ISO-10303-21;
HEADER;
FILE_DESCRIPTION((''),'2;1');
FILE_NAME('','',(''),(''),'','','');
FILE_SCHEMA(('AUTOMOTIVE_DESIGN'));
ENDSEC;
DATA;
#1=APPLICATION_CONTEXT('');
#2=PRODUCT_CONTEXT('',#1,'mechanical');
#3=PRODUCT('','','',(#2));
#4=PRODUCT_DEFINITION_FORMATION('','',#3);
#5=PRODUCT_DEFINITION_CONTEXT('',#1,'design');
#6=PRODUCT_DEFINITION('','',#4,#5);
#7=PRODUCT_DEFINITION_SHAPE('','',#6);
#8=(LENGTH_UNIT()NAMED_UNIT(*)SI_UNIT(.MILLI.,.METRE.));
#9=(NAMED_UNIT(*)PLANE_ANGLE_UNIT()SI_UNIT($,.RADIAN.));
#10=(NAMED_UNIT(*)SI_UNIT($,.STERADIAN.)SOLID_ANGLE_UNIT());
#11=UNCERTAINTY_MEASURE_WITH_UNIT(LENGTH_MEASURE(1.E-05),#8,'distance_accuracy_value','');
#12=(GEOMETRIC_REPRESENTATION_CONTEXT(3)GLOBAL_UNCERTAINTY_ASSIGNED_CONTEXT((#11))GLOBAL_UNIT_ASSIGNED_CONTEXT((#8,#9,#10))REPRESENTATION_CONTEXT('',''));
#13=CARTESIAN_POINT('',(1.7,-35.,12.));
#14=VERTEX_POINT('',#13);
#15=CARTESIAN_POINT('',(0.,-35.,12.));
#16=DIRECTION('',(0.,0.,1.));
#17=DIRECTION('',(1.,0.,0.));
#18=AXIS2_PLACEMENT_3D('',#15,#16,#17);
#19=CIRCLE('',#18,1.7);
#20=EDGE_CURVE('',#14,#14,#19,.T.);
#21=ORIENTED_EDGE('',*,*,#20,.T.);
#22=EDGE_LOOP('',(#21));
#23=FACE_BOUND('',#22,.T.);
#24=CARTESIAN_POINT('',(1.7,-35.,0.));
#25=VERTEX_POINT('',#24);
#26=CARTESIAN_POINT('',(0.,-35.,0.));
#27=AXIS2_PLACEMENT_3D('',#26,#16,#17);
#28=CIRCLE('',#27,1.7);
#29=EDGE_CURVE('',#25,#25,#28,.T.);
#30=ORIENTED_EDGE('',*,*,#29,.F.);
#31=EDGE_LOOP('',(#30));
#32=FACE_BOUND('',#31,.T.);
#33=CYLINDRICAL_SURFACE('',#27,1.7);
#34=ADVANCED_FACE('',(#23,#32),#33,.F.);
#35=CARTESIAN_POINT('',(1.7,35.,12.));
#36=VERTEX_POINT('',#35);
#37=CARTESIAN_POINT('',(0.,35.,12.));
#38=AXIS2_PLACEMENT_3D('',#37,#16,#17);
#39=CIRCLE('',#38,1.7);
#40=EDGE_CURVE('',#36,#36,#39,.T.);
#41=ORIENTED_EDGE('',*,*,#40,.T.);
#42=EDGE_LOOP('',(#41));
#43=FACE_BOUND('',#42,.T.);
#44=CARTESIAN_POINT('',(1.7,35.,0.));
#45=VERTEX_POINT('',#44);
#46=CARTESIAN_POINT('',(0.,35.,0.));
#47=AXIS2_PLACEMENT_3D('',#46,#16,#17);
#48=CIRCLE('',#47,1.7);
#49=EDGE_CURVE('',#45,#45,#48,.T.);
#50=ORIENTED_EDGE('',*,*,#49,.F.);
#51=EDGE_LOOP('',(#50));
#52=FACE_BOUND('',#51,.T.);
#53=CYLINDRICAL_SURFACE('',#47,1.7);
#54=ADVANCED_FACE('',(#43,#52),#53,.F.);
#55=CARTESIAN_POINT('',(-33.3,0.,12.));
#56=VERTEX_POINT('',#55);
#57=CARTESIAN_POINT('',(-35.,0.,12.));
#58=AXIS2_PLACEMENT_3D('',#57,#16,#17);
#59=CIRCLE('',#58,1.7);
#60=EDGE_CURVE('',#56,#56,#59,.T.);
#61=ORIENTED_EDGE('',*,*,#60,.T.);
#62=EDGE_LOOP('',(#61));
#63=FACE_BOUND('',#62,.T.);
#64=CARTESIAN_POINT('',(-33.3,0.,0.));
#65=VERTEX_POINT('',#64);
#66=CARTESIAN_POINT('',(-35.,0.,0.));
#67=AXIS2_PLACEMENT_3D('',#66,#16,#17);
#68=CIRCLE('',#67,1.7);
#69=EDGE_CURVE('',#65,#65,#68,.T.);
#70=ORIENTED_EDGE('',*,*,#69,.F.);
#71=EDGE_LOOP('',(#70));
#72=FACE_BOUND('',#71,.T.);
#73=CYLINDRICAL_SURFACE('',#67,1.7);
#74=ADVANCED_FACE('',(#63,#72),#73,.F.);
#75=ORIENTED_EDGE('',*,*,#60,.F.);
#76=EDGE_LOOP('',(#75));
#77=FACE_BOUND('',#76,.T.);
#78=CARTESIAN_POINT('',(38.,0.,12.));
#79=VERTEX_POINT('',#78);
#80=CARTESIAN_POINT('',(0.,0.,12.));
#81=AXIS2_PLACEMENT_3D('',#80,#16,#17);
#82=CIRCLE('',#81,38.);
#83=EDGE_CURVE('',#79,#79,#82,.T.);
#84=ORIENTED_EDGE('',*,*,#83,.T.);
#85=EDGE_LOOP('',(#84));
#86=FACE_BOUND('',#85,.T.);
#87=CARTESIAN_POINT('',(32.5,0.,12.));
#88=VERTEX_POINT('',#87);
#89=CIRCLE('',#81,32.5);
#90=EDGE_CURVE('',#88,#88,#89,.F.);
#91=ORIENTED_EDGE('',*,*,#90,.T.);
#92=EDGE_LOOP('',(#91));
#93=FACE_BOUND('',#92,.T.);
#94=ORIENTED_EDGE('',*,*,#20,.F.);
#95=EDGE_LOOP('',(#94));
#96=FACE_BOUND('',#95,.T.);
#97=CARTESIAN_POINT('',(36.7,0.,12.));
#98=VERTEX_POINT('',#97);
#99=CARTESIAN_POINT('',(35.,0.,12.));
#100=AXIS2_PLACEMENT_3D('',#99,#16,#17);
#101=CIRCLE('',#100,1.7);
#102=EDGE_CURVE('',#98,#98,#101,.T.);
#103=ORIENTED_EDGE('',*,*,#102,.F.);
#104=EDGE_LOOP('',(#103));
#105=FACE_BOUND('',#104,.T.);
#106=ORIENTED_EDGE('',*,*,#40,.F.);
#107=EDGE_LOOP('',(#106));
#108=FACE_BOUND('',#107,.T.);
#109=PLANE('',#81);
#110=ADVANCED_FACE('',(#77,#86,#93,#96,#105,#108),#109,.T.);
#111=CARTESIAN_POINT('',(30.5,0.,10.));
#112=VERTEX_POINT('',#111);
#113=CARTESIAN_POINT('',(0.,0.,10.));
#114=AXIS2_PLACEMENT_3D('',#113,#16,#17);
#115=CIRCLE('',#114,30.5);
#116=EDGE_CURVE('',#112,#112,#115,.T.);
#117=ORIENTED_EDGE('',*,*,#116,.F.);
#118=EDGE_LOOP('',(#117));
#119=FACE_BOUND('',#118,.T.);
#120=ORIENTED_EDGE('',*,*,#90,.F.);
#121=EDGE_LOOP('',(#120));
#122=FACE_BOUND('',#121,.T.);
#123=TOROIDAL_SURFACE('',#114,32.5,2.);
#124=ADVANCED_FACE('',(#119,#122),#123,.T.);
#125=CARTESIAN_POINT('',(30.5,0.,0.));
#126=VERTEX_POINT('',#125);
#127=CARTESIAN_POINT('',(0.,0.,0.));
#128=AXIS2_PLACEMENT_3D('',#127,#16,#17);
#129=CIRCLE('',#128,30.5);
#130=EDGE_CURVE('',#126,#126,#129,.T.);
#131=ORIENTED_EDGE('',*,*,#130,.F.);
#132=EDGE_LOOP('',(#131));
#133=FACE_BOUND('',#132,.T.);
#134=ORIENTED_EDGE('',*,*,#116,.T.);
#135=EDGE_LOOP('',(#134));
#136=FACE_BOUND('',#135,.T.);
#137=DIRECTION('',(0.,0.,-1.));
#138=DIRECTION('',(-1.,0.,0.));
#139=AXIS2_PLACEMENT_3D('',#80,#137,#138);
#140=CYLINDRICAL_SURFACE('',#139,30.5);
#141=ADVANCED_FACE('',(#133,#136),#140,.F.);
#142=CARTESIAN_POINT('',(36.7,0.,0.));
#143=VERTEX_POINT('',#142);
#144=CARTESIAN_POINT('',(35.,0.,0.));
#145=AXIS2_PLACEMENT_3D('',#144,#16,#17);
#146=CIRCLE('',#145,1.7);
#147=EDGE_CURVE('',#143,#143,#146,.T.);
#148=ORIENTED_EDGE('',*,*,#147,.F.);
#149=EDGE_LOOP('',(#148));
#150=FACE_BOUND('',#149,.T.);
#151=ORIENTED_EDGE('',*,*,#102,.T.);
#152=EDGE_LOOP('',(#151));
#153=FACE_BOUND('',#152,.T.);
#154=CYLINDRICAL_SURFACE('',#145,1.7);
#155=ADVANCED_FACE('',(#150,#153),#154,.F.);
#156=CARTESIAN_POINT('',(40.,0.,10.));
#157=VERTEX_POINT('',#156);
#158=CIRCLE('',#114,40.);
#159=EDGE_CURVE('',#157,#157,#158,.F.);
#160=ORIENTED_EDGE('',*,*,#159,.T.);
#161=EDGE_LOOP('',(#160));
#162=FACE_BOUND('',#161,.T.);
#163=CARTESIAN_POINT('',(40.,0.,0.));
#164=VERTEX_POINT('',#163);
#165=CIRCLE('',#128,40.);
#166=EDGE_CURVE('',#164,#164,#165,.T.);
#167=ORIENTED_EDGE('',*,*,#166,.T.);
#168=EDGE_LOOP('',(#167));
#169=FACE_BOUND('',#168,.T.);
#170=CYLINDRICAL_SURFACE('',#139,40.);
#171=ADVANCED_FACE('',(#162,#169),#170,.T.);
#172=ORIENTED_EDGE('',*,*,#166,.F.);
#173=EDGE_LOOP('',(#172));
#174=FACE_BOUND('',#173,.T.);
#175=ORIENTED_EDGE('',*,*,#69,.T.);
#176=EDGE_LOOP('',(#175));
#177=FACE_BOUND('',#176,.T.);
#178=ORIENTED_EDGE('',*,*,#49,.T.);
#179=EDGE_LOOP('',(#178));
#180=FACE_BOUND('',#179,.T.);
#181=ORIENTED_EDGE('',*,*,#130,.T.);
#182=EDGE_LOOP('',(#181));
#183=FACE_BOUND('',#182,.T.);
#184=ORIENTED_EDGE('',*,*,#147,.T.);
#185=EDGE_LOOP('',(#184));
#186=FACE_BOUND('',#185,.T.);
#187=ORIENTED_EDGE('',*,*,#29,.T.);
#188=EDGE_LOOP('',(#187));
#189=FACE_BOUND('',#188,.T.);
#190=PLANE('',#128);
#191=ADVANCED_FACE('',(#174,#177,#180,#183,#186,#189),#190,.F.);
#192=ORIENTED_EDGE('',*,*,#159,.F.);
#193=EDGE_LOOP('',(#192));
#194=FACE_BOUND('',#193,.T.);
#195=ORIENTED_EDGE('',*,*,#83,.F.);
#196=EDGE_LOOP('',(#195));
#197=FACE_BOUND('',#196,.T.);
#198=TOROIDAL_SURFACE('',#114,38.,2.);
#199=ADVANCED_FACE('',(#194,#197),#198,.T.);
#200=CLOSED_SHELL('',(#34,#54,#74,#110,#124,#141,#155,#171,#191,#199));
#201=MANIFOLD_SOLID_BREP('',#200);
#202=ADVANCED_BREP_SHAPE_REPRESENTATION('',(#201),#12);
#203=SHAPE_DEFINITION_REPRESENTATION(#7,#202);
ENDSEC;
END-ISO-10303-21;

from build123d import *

# Parameters (mm, degrees)
SKETCH_1_R          = 40
SKETCH_1_R_2        = 30.5
EXTRUDE_1_DEPTH     = 12
SKETCH_2_R          = 1.7
CUT_EXTRUDE_1_DEPTH = 12
FILLET_1_R          = 2
FILLET_2_R          = 2


with BuildPart() as part:
    # 草图1 → 凸台-拉伸1 (new body)
    with BuildSketch(Plane.XY):
        Circle(SKETCH_1_R)
        Circle(SKETCH_1_R_2, mode=Mode.SUBTRACT)
    extrude(amount=EXTRUDE_1_DEPTH)

    # 草图2 → 切除-拉伸1 (cut)
    with BuildSketch(Plane.XY.offset(12)):
        with Locations((35, 0)):
            Circle(SKETCH_2_R)
        with Locations((0, -35)):
            Circle(SKETCH_2_R)
        with Locations((-35, 0)):
            Circle(SKETCH_2_R)
        with Locations((0, 35)):
            Circle(SKETCH_2_R)
    extrude(amount=-CUT_EXTRUDE_1_DEPTH, mode=Mode.SUBTRACT)

    # 圆角1
    fillet_1_edges = [part.edges().sort_by_distance(p)[0] for p in [
        (-30.5, 0, 12),
    ]]
    fillet(fillet_1_edges, radius=FILLET_1_R)

    # 圆角2
    fillet_2_edges = [part.edges().sort_by_distance(p)[0] for p in [
        (-40, 0, 12),
    ]]
    fillet(fillet_2_edges, radius=FILLET_2_R)


solid = part.part
